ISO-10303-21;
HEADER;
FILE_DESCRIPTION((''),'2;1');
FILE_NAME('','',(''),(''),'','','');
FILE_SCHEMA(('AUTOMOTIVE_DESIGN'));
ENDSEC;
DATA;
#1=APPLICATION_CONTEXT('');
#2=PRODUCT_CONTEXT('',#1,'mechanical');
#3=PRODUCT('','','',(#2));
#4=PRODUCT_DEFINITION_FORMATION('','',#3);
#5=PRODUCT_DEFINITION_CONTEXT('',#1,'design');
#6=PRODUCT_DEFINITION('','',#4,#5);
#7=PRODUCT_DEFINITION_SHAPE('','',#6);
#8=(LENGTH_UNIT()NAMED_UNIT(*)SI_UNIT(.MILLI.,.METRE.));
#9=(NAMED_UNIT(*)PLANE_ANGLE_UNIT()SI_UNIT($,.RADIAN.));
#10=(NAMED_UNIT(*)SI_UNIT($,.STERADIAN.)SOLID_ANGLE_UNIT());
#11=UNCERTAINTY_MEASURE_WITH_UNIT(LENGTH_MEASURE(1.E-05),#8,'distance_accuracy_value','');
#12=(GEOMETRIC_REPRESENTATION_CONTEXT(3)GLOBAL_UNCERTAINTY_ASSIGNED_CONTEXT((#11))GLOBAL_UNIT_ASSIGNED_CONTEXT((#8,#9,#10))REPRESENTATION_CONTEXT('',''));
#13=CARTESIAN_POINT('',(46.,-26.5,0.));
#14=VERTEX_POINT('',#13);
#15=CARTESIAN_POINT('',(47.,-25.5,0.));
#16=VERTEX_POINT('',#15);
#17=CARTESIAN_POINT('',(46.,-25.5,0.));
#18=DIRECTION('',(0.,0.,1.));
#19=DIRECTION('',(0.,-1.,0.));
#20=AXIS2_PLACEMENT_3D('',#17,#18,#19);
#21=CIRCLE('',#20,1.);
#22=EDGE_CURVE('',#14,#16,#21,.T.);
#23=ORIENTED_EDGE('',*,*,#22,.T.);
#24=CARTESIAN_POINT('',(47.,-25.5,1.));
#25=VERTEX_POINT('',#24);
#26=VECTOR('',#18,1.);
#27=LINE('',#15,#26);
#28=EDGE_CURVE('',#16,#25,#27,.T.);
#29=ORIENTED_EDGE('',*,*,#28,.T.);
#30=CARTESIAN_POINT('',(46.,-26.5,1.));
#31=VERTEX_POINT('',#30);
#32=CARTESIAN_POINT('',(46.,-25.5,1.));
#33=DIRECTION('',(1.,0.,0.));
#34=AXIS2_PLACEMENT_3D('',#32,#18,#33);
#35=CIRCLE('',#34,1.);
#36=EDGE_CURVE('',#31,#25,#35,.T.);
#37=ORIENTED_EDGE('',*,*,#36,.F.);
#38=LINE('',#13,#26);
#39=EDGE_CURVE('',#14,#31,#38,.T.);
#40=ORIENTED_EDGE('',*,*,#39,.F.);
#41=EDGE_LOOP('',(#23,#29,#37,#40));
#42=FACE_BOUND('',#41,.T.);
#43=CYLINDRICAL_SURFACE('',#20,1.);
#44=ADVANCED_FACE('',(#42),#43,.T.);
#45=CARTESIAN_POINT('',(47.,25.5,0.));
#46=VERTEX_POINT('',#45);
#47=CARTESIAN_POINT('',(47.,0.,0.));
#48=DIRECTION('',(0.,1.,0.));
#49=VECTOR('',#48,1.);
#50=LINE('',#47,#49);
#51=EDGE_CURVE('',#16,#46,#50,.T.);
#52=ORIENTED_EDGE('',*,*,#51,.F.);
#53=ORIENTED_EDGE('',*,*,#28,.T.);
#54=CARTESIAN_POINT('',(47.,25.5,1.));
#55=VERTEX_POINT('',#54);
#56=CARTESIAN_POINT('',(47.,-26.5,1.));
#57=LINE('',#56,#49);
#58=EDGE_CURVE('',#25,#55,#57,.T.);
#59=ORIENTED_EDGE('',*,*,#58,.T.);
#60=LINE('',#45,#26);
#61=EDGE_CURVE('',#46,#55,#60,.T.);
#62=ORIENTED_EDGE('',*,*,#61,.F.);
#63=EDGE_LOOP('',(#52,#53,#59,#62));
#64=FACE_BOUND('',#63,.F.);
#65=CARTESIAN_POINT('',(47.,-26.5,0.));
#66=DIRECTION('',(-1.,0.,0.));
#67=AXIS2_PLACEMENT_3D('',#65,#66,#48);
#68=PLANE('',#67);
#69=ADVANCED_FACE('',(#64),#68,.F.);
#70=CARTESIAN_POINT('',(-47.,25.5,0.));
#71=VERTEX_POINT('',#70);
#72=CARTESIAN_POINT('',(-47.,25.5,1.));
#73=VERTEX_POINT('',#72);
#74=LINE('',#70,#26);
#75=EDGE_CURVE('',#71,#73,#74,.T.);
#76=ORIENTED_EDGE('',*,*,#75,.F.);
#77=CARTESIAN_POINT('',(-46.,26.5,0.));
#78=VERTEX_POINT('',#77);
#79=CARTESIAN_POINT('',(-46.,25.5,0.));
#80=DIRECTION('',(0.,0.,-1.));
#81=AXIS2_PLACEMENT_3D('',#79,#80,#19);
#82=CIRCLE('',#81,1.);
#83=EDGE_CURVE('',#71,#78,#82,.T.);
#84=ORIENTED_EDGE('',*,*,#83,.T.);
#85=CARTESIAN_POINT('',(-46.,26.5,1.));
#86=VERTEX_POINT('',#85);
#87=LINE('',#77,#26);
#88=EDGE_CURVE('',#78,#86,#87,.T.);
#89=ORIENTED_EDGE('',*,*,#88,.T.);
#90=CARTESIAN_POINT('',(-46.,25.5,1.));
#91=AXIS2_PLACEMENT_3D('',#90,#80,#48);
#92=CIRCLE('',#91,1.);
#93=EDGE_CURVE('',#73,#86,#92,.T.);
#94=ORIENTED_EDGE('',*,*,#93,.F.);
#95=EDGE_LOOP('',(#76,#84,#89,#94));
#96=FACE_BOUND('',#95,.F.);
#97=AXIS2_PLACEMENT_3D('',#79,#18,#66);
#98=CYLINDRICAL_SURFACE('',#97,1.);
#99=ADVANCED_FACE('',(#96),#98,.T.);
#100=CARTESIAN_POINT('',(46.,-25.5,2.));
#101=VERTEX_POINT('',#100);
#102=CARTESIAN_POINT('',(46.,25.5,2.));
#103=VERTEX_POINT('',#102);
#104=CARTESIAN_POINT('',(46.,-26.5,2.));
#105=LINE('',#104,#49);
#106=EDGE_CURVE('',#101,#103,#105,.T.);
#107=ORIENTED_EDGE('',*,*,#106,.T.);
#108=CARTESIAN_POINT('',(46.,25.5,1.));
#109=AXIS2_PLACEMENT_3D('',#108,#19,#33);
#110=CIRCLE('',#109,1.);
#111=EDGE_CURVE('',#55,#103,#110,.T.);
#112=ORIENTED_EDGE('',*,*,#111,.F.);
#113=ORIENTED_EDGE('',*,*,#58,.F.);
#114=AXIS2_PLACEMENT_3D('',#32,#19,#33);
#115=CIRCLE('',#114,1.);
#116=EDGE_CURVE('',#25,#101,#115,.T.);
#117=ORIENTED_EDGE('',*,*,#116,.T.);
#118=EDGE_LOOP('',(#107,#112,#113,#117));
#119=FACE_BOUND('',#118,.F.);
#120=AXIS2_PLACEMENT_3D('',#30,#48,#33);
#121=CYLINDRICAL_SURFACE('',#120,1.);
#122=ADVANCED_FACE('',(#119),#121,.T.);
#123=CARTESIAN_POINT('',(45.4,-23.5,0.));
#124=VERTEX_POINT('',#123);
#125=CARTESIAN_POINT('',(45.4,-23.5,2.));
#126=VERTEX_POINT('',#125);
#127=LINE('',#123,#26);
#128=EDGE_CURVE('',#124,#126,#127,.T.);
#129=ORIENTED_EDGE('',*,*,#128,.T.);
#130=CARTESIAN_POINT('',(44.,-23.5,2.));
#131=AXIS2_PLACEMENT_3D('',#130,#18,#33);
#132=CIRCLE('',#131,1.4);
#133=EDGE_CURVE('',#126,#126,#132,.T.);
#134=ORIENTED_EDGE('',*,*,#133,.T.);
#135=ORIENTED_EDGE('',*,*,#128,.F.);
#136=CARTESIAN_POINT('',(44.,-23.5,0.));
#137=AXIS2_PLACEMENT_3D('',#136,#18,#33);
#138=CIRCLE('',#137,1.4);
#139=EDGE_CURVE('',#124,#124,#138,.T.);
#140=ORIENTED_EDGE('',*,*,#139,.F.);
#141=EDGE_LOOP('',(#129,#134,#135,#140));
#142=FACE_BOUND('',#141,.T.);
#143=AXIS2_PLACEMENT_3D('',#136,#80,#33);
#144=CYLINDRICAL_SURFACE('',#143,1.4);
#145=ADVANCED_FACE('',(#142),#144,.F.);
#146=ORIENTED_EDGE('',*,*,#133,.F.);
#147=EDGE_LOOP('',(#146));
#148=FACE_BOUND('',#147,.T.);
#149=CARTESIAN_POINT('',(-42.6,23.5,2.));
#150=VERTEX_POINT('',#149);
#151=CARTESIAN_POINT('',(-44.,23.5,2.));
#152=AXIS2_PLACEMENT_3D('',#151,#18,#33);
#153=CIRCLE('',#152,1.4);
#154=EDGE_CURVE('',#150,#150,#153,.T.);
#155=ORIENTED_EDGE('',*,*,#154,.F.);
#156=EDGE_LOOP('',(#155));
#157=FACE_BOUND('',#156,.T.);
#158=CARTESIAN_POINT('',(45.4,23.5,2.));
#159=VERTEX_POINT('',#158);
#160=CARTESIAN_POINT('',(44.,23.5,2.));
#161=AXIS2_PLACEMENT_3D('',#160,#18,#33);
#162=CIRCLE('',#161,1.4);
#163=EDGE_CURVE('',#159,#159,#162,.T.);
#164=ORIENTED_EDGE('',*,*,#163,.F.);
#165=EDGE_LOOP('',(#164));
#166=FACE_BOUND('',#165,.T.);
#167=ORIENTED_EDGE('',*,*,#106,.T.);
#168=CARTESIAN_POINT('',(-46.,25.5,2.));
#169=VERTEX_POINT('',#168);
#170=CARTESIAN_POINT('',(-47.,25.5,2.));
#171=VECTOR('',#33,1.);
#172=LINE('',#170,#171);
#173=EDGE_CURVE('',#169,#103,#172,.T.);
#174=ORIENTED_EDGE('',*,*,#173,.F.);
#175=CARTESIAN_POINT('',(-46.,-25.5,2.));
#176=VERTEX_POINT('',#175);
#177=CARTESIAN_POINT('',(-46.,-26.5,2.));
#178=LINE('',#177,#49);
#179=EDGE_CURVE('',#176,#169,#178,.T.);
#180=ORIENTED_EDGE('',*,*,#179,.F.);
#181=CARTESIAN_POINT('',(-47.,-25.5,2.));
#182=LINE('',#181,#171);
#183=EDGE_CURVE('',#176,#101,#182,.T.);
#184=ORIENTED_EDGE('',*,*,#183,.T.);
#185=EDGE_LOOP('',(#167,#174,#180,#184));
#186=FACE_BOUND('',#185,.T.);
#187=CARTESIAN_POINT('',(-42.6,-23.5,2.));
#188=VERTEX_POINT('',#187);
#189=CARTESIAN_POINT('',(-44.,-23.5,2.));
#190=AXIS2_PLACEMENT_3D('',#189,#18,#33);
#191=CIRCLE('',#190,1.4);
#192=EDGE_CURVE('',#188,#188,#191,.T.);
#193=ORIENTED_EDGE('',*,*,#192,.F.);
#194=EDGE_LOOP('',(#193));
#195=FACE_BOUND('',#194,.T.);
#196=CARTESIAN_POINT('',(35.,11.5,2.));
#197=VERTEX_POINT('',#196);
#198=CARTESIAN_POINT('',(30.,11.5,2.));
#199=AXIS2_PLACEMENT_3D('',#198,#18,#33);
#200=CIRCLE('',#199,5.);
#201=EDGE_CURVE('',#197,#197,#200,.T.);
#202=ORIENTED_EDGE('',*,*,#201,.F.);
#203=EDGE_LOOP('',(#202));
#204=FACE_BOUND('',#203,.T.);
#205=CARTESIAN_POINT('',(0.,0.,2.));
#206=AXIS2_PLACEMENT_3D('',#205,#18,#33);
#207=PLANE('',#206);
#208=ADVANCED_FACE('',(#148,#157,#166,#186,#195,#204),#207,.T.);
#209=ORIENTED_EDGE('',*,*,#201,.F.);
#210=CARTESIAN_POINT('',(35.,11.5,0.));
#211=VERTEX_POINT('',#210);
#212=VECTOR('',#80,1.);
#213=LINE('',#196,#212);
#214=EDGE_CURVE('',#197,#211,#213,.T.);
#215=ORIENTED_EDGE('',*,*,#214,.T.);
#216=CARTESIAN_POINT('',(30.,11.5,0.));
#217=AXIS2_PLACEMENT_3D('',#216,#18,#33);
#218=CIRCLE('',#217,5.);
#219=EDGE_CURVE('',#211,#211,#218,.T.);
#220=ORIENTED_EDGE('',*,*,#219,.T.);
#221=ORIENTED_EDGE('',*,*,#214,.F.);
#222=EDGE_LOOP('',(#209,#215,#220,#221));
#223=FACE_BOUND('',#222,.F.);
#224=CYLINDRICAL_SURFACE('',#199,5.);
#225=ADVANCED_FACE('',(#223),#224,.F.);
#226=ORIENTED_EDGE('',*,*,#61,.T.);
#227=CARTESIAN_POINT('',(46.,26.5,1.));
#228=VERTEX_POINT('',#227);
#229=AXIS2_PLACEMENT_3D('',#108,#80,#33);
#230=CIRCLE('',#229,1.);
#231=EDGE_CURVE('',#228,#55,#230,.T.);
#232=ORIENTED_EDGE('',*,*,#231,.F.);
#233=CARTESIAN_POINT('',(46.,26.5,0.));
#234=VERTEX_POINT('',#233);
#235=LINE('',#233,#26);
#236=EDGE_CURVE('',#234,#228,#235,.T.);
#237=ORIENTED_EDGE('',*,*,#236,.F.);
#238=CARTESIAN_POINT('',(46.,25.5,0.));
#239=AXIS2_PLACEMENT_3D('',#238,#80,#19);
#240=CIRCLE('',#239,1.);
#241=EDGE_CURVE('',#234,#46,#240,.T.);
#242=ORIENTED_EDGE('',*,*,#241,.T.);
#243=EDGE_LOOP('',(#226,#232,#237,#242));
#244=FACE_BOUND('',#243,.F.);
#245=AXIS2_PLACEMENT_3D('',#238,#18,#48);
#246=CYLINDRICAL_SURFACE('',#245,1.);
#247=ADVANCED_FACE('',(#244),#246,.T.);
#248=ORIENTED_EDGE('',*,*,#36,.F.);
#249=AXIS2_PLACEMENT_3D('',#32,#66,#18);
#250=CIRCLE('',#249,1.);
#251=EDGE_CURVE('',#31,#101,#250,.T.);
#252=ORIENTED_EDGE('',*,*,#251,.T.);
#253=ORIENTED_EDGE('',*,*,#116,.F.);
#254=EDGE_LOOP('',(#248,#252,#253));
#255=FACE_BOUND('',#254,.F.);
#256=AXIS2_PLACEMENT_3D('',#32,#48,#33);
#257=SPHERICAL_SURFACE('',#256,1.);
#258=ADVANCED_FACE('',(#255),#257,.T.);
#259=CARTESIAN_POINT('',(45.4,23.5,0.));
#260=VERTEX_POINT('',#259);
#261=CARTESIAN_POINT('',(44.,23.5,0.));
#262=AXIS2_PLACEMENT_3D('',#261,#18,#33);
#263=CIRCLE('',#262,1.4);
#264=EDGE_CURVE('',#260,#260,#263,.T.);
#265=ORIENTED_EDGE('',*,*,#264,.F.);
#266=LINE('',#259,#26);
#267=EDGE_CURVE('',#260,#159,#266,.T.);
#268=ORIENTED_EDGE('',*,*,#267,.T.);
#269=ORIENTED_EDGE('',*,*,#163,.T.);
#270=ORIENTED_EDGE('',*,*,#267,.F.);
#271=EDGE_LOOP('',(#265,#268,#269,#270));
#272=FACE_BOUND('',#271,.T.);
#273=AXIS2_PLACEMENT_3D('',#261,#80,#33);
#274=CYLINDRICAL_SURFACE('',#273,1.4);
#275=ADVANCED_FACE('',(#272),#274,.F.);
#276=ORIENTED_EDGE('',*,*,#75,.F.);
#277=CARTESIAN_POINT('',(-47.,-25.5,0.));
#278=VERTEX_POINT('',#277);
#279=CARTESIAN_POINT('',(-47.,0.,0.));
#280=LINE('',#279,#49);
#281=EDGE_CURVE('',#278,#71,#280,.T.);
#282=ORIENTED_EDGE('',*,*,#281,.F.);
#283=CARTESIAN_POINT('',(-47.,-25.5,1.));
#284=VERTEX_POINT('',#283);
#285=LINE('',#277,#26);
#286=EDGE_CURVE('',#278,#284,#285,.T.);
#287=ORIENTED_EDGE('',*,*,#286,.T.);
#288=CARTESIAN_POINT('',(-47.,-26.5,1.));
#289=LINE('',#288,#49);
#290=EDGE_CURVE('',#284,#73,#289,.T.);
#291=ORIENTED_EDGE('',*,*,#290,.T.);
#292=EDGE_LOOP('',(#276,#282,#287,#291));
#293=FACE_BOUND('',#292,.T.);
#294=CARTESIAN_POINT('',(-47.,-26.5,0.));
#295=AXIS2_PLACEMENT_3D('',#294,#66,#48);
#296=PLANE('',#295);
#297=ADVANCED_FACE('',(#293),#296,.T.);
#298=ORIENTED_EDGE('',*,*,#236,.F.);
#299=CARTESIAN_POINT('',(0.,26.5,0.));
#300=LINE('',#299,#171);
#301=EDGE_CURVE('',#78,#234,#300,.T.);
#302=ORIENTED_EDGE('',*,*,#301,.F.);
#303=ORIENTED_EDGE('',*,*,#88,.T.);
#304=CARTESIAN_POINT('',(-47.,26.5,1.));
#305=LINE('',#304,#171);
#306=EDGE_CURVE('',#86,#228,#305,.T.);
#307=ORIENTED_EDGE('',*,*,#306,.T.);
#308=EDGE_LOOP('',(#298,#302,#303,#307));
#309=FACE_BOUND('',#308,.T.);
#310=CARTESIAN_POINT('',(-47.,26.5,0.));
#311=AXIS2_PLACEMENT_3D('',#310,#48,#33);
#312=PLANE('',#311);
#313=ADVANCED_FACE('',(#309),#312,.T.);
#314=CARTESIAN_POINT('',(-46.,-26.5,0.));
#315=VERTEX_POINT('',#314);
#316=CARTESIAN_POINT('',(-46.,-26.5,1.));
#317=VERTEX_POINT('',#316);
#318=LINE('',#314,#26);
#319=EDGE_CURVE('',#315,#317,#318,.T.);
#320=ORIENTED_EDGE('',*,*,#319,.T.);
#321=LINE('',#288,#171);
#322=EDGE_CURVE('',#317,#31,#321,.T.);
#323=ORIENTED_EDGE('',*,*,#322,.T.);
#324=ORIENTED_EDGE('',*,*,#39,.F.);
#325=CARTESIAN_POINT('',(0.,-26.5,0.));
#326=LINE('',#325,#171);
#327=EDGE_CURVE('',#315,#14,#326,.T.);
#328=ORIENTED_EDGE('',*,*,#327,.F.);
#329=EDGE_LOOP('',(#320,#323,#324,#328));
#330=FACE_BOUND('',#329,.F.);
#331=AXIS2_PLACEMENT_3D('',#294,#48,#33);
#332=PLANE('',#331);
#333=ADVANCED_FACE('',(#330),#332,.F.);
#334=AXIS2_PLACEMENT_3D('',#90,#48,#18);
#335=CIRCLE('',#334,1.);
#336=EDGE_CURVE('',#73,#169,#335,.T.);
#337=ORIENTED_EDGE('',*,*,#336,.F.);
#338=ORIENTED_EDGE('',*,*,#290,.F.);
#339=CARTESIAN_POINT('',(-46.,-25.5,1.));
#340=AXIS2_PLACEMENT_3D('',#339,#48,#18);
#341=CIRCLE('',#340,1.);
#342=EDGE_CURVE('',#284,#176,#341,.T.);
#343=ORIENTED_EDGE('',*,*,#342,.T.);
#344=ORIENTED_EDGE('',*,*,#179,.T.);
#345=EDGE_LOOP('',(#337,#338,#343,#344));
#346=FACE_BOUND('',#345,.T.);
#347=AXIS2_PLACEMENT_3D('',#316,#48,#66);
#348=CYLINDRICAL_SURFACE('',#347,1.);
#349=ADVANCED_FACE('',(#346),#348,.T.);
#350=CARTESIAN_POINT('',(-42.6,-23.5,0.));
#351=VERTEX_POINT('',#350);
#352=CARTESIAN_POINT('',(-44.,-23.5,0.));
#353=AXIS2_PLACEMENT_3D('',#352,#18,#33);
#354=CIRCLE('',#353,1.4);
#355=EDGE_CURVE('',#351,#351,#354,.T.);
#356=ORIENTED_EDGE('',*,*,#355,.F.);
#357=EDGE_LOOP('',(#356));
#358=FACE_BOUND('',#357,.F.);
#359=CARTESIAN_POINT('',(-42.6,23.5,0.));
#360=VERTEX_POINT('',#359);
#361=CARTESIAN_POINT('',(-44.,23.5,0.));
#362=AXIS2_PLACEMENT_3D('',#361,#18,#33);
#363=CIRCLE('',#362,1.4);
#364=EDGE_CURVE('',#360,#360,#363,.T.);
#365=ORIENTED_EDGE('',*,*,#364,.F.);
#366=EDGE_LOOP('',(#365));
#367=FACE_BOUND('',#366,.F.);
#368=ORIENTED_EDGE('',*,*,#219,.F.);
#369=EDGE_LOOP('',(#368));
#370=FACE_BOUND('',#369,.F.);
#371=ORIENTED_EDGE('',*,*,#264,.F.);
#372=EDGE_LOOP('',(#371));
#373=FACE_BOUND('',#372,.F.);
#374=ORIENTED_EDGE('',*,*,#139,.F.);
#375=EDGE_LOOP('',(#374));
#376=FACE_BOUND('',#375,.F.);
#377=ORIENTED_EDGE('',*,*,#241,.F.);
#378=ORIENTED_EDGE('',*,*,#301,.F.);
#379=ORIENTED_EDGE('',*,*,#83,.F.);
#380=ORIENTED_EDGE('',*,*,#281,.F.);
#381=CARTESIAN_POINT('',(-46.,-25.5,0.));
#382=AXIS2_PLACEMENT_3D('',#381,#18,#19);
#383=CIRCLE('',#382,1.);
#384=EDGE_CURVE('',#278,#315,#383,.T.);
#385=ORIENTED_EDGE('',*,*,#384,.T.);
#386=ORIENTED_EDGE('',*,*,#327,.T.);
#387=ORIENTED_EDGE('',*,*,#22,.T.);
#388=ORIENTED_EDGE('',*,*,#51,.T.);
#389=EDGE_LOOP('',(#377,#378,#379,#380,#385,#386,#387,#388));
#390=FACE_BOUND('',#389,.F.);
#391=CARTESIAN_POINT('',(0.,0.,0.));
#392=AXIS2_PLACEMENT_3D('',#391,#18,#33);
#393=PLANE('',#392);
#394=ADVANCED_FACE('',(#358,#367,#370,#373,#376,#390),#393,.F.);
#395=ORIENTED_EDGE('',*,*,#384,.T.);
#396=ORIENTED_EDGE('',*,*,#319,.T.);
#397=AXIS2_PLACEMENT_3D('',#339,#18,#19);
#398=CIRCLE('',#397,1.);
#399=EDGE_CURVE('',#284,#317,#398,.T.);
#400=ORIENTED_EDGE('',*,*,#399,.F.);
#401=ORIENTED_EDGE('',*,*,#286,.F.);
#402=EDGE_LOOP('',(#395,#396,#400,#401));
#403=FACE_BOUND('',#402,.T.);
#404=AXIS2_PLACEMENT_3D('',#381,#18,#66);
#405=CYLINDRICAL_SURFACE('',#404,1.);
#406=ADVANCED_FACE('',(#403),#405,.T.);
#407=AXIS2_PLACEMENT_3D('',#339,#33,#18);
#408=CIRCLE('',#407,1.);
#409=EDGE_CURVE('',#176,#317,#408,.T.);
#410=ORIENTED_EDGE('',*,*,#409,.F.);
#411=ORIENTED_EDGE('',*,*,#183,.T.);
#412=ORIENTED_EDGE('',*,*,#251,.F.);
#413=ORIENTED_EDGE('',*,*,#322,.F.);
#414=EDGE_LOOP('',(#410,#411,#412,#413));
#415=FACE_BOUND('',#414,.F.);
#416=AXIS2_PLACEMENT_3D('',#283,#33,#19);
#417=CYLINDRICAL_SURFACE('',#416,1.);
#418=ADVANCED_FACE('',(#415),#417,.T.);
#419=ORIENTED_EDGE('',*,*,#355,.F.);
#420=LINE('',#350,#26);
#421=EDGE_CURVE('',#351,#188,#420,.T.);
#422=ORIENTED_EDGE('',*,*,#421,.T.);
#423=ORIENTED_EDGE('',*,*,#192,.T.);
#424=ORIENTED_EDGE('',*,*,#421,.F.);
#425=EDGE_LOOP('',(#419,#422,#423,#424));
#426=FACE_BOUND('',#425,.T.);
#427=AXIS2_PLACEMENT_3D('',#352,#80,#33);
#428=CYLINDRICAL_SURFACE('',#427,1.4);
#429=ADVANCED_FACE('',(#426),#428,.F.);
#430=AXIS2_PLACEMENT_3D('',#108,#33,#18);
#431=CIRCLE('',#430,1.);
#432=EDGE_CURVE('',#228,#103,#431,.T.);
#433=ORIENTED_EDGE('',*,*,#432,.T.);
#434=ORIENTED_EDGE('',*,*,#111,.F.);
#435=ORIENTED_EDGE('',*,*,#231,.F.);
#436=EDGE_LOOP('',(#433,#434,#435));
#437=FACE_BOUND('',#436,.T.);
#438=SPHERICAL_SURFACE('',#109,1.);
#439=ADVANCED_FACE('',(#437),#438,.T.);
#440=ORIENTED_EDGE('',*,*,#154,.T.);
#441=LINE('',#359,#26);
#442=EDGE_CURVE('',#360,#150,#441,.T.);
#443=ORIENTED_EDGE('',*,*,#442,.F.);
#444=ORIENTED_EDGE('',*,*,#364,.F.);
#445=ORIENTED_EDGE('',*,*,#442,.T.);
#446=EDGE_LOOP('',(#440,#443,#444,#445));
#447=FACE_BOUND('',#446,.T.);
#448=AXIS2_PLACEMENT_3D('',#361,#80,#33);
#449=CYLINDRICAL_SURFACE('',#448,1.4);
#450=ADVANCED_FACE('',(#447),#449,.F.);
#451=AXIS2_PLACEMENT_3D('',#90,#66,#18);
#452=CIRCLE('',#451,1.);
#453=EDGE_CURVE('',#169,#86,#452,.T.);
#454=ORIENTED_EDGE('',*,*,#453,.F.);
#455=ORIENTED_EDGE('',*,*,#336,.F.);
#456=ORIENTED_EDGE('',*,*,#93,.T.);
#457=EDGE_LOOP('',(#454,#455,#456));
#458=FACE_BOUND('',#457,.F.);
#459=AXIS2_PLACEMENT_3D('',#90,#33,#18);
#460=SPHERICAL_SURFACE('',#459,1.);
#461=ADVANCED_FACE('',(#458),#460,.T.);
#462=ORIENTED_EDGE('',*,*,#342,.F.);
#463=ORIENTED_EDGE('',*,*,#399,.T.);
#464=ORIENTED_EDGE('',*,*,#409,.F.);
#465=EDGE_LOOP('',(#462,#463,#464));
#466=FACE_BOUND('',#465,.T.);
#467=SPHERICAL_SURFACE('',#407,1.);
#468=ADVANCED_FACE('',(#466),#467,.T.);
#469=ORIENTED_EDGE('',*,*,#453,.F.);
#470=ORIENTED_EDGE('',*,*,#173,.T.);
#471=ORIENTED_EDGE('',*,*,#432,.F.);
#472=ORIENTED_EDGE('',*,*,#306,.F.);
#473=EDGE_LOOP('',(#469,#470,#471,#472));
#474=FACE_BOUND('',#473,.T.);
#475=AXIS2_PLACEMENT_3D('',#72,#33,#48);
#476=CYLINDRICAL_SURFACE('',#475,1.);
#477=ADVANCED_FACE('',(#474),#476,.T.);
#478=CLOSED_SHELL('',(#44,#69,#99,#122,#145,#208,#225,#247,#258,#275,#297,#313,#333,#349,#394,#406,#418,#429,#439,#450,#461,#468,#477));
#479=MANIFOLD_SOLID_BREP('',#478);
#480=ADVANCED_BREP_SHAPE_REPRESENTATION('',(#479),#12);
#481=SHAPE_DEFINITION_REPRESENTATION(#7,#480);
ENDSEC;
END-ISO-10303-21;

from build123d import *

# Parameters (mm, degrees)
SKETCH_W     = 94
SKETCH_H     = 53
SKETCH_R     = 1.4
PAD_DEPTH    = 2
FILLET_R     = 1
SKETCH001_R  = 5
POCKET_DEPTH = 5


with BuildPart() as part:
    # Sketch → Pad (new body)
    with BuildSketch(Plane.XY):
        Rectangle(SKETCH_W, SKETCH_H)
        with Locations((-44, 23.5)):
            Circle(SKETCH_R, mode=Mode.SUBTRACT)
        with Locations((44, 23.5)):
            Circle(SKETCH_R, mode=Mode.SUBTRACT)
        with Locations((44, -23.5)):
            Circle(SKETCH_R, mode=Mode.SUBTRACT)
        with Locations((-44, -23.5)):
            Circle(SKETCH_R, mode=Mode.SUBTRACT)
    extrude(amount=PAD_DEPTH)

    # Fillet
    fillet_edges = [part.edges().sort_by_distance(p)[0] for p in [
        (47, 0, 2),
        (47, 26.5, 1),
        (47, -26.5, 1),
        (0, -26.5, 2),
        (0, 26.5, 2),
        (-47, 0, 2),
        (-47, 26.5, 1),
        (-47, -26.5, 1),
    ]]
    fillet(fillet_edges, radius=FILLET_R)

    # Sketch001 (on Face17 of Fillet) → Pocket (cut)
    with BuildSketch(Plane.XY.offset(2)):
        with Locations((30, 11.5)):
            Circle(SKETCH001_R)
    extrude(amount=-POCKET_DEPTH, mode=Mode.SUBTRACT)


solid = part.part
